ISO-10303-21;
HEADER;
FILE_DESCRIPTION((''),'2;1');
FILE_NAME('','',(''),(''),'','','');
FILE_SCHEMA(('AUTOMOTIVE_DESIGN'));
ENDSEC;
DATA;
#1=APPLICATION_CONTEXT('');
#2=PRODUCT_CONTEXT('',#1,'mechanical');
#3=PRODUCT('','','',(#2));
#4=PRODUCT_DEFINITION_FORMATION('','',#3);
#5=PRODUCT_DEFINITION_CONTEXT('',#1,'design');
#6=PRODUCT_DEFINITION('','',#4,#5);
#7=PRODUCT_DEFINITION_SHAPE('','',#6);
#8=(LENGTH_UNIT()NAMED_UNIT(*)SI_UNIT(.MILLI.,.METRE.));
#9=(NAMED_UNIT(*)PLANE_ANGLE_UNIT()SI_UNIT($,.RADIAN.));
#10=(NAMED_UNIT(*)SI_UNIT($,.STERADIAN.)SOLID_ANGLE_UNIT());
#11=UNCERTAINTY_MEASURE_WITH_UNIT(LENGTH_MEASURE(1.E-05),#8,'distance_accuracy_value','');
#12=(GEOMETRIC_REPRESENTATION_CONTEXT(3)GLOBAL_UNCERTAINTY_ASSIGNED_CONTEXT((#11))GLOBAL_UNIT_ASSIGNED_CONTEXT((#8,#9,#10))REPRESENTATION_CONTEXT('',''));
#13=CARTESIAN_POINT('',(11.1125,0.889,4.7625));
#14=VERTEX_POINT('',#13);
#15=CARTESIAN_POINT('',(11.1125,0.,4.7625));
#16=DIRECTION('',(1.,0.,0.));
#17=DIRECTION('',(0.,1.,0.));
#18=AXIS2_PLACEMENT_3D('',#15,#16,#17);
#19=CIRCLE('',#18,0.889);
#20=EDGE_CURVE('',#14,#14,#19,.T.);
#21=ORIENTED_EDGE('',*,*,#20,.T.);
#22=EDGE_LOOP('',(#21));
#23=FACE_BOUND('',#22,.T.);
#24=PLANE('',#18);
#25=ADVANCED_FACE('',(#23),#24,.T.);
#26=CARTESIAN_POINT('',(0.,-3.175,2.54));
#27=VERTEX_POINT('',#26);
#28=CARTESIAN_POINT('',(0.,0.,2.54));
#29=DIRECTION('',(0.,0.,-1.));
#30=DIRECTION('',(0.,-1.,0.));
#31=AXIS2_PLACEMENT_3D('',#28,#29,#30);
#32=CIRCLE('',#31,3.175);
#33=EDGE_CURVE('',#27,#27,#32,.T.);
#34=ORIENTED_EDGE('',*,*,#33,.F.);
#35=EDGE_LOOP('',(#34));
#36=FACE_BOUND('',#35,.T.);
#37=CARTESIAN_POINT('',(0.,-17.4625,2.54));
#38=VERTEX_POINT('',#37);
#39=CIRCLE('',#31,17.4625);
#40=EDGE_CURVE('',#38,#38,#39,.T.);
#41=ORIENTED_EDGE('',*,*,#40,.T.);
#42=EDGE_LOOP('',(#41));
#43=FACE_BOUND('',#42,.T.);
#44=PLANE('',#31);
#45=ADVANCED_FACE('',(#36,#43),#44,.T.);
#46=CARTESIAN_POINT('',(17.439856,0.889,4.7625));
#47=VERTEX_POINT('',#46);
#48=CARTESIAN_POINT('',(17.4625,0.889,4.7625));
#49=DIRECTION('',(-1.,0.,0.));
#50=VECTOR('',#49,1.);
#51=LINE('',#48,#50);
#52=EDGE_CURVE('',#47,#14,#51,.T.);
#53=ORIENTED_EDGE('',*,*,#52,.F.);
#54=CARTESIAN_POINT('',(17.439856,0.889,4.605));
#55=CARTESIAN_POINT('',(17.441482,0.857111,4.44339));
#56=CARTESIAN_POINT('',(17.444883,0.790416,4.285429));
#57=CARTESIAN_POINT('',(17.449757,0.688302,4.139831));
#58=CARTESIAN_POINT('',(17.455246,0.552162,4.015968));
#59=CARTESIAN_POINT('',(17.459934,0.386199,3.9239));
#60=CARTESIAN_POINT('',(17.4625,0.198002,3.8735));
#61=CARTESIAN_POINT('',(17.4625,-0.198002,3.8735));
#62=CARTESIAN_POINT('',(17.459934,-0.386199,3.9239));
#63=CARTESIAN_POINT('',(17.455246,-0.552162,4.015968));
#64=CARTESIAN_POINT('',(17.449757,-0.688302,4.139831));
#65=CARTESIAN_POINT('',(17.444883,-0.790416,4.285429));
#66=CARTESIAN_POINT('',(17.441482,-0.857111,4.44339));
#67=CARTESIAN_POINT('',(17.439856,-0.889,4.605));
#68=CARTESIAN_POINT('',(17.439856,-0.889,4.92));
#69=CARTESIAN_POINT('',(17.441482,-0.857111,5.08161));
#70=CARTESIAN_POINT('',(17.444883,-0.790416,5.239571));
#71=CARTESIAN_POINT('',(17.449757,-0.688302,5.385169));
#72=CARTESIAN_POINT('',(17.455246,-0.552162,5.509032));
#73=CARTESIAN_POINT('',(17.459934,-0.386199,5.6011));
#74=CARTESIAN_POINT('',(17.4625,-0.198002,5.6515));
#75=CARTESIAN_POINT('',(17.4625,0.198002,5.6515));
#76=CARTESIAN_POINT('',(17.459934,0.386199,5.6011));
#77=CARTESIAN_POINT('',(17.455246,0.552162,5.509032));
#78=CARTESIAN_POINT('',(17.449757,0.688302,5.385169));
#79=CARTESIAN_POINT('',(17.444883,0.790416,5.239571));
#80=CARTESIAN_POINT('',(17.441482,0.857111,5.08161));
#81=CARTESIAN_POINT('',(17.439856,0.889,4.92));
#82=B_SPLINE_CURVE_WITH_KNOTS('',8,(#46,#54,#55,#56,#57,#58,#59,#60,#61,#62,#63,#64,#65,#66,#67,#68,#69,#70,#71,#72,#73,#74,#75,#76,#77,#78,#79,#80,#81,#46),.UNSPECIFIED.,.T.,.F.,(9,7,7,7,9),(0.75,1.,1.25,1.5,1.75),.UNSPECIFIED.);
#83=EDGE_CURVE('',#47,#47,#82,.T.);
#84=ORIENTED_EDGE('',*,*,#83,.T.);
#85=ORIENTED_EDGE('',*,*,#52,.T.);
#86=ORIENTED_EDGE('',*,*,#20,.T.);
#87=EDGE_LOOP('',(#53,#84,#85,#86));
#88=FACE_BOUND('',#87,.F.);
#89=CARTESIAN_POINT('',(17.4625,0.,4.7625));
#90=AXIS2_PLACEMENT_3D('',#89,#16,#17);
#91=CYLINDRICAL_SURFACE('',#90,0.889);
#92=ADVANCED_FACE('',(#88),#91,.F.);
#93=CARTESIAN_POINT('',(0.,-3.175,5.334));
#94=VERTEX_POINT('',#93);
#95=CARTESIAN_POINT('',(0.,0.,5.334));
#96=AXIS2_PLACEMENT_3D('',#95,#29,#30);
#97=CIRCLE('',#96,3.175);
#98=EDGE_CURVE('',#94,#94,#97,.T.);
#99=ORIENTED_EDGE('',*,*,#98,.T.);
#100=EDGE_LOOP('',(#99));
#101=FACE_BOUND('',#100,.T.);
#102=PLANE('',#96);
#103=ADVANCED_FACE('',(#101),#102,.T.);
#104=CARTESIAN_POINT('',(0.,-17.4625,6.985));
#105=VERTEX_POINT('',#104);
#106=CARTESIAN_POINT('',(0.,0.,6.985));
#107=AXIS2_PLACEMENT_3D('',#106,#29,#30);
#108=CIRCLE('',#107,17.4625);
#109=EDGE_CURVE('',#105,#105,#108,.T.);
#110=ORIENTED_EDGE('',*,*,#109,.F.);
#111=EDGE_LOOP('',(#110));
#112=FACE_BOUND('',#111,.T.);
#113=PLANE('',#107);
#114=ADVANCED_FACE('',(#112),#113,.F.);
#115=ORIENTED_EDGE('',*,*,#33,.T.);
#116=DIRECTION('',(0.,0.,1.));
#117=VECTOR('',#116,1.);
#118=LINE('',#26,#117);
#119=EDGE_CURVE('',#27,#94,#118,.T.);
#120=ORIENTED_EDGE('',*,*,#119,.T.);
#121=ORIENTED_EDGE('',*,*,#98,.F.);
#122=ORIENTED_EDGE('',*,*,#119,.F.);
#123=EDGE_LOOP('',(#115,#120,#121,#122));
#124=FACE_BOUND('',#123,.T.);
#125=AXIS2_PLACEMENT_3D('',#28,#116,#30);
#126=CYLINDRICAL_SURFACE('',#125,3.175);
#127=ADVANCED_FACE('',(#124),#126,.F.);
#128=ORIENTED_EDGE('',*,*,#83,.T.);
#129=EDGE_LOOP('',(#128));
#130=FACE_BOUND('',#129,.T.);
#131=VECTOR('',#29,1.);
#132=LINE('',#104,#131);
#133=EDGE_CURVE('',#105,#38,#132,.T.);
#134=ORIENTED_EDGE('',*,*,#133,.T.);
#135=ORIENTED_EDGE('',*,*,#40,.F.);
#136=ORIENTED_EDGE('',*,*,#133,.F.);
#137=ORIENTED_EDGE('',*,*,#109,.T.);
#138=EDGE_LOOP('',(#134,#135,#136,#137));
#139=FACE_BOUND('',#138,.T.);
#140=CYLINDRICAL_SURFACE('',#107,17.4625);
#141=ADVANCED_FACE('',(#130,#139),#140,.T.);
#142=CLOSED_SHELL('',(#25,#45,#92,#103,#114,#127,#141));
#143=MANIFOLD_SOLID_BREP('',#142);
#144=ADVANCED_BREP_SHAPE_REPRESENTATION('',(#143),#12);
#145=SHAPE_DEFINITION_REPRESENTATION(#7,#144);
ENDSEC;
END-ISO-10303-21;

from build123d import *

# Parameters (mm, degrees)
F3_R     = 0.889
F4_DEPTH = 6.35


with BuildPart() as f1:
    # F0 (on Right) → F1 (revolve)
    with BuildSketch(Plane.YZ):
        Polygon((-17.4625, 2.54), (-3.175, 2.54), (-3.175, 5.334), (0, 5.334), (0, 6.985), (-17.4625, 6.985), align=None)
    revolve(axis=Axis((0, 0, 6.1595), (0, 0, -1)))

    # F3 (on offset) → F4 (cut)
    with BuildSketch(Plane.YZ.offset(17.4625)):
        with Locations((0, 4.7625)):
            Circle(F3_R)
    extrude(amount=-F4_DEPTH, mode=Mode.SUBTRACT)


solid = f1.part
